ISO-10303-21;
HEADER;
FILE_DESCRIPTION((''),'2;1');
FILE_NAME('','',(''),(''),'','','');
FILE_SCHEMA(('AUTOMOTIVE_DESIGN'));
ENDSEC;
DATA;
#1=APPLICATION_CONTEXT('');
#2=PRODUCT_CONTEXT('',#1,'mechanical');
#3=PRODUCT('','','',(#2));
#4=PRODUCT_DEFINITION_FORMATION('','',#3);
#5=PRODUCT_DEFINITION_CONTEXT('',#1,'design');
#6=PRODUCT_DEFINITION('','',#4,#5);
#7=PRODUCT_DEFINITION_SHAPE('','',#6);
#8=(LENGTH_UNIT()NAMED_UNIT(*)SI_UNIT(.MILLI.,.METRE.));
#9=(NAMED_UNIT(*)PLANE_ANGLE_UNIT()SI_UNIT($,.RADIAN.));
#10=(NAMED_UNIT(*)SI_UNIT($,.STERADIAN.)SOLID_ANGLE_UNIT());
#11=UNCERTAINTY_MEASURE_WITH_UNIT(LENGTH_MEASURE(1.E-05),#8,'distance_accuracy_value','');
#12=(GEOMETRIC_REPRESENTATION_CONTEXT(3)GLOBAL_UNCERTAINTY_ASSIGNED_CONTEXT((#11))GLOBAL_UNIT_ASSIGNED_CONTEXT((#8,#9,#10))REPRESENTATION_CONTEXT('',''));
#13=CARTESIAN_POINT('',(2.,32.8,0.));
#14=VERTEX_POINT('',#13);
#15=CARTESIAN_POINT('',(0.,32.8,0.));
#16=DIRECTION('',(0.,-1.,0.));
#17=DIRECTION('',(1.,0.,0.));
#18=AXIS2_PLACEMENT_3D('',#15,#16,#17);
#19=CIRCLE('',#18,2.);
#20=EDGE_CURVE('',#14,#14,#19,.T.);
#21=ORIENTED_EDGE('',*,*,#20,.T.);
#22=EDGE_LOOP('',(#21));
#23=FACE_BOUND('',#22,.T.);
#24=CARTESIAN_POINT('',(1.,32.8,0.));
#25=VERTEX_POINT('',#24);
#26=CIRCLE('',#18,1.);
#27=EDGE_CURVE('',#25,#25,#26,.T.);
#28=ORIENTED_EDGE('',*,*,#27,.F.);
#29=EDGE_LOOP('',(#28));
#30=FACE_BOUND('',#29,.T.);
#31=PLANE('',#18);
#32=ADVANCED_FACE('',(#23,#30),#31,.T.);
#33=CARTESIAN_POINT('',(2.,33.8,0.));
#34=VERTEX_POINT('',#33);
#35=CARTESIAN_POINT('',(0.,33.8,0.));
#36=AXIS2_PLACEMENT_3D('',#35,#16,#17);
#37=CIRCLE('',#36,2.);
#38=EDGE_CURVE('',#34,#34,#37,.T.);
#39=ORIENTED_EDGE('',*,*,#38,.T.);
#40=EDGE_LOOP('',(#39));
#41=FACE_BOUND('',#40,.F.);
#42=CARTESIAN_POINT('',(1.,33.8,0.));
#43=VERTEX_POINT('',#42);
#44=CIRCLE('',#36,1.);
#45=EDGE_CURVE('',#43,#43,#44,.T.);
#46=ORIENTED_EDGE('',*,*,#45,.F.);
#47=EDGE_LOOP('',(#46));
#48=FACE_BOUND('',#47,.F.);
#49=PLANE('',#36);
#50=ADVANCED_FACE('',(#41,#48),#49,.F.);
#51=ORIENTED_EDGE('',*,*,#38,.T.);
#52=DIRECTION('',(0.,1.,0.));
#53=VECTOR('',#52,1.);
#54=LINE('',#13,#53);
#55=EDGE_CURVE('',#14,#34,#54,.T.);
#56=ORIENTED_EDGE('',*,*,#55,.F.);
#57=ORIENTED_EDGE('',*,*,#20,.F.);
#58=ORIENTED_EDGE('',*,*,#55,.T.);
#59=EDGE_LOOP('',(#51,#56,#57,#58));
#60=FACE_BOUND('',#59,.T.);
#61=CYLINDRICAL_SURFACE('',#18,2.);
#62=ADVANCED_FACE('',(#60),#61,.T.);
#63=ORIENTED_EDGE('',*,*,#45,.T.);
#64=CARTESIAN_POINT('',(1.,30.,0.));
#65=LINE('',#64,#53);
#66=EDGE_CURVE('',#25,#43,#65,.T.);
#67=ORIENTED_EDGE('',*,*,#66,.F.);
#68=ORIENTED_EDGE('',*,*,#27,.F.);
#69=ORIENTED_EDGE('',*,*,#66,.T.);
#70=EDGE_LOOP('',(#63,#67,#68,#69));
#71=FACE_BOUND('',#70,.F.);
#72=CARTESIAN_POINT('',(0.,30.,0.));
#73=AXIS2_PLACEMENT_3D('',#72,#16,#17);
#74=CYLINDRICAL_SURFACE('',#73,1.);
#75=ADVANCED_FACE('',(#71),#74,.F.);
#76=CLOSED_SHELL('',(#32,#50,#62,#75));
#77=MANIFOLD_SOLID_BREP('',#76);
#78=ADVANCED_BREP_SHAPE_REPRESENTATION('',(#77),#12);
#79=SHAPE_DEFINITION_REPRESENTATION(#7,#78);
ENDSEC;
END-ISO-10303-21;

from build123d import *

# Parameters (mm, degrees)
SKETCH253_AS_DRAWN_R                 = 1
EXTRUDE055_DEPTH                     = 10
EXTRUDE055_ONTO_SKETCH253_ROLL_ANGLE = 90
SKETCH250_AS_DRAWN_R                 = 2
EXTRUDE053_DEPTH                     = 1
EXTRUDE053_ONTO_SKETCH250_ROLL_ANGLE = 90


with BuildPart() as extrude055:
    # Sketch253 as drawn → Extrude055 (new)
    with BuildSketch(Plane.XY):
        Circle(SKETCH253_AS_DRAWN_R)
    extrude(amount=-EXTRUDE055_DEPTH)


with BuildPart() as extrude055_1:
    # Extrude055 onto Sketch253 roll: moved
    add(extrude055.part.rotate(Axis((0, 0, 0), (1, 0, 0)), EXTRUDE055_ONTO_SKETCH253_ROLL_ANGLE))


with BuildPart() as extrude055_2:
    # Extrude055 onto Sketch253 placement: moved
    add(extrude055_1.part)


with BuildPart() as extrude055_3:
    # Extrude055 placement: moved
    add(extrude055_2.part.moved(Location((0, 30, 0))))


with BuildPart() as cut033:
    # Sketch250 as drawn → Extrude053 (new)
    with BuildSketch(Plane.XY):
        Circle(SKETCH250_AS_DRAWN_R)
    extrude(amount=-EXTRUDE053_DEPTH)


with BuildPart() as cut033_1:
    # Extrude053 onto Sketch250 roll: moved
    add(cut033.part.rotate(Axis((0, 0, 0), (1, 0, 0)), EXTRUDE053_ONTO_SKETCH250_ROLL_ANGLE))


with BuildPart() as cut033_2:
    # Extrude053 onto Sketch250 placement: moved
    add(cut033_1.part.moved(Location((0, 34, 0))))


with BuildPart() as cut033_3:
    # Extrude053 placement: moved
    add(cut033_2.part.moved(Location((0, -1.2, 0))))

    # Cut033: cut Extrude055
    add(extrude055_3.part, mode=Mode.SUBTRACT)


solid = cut033_3.part
